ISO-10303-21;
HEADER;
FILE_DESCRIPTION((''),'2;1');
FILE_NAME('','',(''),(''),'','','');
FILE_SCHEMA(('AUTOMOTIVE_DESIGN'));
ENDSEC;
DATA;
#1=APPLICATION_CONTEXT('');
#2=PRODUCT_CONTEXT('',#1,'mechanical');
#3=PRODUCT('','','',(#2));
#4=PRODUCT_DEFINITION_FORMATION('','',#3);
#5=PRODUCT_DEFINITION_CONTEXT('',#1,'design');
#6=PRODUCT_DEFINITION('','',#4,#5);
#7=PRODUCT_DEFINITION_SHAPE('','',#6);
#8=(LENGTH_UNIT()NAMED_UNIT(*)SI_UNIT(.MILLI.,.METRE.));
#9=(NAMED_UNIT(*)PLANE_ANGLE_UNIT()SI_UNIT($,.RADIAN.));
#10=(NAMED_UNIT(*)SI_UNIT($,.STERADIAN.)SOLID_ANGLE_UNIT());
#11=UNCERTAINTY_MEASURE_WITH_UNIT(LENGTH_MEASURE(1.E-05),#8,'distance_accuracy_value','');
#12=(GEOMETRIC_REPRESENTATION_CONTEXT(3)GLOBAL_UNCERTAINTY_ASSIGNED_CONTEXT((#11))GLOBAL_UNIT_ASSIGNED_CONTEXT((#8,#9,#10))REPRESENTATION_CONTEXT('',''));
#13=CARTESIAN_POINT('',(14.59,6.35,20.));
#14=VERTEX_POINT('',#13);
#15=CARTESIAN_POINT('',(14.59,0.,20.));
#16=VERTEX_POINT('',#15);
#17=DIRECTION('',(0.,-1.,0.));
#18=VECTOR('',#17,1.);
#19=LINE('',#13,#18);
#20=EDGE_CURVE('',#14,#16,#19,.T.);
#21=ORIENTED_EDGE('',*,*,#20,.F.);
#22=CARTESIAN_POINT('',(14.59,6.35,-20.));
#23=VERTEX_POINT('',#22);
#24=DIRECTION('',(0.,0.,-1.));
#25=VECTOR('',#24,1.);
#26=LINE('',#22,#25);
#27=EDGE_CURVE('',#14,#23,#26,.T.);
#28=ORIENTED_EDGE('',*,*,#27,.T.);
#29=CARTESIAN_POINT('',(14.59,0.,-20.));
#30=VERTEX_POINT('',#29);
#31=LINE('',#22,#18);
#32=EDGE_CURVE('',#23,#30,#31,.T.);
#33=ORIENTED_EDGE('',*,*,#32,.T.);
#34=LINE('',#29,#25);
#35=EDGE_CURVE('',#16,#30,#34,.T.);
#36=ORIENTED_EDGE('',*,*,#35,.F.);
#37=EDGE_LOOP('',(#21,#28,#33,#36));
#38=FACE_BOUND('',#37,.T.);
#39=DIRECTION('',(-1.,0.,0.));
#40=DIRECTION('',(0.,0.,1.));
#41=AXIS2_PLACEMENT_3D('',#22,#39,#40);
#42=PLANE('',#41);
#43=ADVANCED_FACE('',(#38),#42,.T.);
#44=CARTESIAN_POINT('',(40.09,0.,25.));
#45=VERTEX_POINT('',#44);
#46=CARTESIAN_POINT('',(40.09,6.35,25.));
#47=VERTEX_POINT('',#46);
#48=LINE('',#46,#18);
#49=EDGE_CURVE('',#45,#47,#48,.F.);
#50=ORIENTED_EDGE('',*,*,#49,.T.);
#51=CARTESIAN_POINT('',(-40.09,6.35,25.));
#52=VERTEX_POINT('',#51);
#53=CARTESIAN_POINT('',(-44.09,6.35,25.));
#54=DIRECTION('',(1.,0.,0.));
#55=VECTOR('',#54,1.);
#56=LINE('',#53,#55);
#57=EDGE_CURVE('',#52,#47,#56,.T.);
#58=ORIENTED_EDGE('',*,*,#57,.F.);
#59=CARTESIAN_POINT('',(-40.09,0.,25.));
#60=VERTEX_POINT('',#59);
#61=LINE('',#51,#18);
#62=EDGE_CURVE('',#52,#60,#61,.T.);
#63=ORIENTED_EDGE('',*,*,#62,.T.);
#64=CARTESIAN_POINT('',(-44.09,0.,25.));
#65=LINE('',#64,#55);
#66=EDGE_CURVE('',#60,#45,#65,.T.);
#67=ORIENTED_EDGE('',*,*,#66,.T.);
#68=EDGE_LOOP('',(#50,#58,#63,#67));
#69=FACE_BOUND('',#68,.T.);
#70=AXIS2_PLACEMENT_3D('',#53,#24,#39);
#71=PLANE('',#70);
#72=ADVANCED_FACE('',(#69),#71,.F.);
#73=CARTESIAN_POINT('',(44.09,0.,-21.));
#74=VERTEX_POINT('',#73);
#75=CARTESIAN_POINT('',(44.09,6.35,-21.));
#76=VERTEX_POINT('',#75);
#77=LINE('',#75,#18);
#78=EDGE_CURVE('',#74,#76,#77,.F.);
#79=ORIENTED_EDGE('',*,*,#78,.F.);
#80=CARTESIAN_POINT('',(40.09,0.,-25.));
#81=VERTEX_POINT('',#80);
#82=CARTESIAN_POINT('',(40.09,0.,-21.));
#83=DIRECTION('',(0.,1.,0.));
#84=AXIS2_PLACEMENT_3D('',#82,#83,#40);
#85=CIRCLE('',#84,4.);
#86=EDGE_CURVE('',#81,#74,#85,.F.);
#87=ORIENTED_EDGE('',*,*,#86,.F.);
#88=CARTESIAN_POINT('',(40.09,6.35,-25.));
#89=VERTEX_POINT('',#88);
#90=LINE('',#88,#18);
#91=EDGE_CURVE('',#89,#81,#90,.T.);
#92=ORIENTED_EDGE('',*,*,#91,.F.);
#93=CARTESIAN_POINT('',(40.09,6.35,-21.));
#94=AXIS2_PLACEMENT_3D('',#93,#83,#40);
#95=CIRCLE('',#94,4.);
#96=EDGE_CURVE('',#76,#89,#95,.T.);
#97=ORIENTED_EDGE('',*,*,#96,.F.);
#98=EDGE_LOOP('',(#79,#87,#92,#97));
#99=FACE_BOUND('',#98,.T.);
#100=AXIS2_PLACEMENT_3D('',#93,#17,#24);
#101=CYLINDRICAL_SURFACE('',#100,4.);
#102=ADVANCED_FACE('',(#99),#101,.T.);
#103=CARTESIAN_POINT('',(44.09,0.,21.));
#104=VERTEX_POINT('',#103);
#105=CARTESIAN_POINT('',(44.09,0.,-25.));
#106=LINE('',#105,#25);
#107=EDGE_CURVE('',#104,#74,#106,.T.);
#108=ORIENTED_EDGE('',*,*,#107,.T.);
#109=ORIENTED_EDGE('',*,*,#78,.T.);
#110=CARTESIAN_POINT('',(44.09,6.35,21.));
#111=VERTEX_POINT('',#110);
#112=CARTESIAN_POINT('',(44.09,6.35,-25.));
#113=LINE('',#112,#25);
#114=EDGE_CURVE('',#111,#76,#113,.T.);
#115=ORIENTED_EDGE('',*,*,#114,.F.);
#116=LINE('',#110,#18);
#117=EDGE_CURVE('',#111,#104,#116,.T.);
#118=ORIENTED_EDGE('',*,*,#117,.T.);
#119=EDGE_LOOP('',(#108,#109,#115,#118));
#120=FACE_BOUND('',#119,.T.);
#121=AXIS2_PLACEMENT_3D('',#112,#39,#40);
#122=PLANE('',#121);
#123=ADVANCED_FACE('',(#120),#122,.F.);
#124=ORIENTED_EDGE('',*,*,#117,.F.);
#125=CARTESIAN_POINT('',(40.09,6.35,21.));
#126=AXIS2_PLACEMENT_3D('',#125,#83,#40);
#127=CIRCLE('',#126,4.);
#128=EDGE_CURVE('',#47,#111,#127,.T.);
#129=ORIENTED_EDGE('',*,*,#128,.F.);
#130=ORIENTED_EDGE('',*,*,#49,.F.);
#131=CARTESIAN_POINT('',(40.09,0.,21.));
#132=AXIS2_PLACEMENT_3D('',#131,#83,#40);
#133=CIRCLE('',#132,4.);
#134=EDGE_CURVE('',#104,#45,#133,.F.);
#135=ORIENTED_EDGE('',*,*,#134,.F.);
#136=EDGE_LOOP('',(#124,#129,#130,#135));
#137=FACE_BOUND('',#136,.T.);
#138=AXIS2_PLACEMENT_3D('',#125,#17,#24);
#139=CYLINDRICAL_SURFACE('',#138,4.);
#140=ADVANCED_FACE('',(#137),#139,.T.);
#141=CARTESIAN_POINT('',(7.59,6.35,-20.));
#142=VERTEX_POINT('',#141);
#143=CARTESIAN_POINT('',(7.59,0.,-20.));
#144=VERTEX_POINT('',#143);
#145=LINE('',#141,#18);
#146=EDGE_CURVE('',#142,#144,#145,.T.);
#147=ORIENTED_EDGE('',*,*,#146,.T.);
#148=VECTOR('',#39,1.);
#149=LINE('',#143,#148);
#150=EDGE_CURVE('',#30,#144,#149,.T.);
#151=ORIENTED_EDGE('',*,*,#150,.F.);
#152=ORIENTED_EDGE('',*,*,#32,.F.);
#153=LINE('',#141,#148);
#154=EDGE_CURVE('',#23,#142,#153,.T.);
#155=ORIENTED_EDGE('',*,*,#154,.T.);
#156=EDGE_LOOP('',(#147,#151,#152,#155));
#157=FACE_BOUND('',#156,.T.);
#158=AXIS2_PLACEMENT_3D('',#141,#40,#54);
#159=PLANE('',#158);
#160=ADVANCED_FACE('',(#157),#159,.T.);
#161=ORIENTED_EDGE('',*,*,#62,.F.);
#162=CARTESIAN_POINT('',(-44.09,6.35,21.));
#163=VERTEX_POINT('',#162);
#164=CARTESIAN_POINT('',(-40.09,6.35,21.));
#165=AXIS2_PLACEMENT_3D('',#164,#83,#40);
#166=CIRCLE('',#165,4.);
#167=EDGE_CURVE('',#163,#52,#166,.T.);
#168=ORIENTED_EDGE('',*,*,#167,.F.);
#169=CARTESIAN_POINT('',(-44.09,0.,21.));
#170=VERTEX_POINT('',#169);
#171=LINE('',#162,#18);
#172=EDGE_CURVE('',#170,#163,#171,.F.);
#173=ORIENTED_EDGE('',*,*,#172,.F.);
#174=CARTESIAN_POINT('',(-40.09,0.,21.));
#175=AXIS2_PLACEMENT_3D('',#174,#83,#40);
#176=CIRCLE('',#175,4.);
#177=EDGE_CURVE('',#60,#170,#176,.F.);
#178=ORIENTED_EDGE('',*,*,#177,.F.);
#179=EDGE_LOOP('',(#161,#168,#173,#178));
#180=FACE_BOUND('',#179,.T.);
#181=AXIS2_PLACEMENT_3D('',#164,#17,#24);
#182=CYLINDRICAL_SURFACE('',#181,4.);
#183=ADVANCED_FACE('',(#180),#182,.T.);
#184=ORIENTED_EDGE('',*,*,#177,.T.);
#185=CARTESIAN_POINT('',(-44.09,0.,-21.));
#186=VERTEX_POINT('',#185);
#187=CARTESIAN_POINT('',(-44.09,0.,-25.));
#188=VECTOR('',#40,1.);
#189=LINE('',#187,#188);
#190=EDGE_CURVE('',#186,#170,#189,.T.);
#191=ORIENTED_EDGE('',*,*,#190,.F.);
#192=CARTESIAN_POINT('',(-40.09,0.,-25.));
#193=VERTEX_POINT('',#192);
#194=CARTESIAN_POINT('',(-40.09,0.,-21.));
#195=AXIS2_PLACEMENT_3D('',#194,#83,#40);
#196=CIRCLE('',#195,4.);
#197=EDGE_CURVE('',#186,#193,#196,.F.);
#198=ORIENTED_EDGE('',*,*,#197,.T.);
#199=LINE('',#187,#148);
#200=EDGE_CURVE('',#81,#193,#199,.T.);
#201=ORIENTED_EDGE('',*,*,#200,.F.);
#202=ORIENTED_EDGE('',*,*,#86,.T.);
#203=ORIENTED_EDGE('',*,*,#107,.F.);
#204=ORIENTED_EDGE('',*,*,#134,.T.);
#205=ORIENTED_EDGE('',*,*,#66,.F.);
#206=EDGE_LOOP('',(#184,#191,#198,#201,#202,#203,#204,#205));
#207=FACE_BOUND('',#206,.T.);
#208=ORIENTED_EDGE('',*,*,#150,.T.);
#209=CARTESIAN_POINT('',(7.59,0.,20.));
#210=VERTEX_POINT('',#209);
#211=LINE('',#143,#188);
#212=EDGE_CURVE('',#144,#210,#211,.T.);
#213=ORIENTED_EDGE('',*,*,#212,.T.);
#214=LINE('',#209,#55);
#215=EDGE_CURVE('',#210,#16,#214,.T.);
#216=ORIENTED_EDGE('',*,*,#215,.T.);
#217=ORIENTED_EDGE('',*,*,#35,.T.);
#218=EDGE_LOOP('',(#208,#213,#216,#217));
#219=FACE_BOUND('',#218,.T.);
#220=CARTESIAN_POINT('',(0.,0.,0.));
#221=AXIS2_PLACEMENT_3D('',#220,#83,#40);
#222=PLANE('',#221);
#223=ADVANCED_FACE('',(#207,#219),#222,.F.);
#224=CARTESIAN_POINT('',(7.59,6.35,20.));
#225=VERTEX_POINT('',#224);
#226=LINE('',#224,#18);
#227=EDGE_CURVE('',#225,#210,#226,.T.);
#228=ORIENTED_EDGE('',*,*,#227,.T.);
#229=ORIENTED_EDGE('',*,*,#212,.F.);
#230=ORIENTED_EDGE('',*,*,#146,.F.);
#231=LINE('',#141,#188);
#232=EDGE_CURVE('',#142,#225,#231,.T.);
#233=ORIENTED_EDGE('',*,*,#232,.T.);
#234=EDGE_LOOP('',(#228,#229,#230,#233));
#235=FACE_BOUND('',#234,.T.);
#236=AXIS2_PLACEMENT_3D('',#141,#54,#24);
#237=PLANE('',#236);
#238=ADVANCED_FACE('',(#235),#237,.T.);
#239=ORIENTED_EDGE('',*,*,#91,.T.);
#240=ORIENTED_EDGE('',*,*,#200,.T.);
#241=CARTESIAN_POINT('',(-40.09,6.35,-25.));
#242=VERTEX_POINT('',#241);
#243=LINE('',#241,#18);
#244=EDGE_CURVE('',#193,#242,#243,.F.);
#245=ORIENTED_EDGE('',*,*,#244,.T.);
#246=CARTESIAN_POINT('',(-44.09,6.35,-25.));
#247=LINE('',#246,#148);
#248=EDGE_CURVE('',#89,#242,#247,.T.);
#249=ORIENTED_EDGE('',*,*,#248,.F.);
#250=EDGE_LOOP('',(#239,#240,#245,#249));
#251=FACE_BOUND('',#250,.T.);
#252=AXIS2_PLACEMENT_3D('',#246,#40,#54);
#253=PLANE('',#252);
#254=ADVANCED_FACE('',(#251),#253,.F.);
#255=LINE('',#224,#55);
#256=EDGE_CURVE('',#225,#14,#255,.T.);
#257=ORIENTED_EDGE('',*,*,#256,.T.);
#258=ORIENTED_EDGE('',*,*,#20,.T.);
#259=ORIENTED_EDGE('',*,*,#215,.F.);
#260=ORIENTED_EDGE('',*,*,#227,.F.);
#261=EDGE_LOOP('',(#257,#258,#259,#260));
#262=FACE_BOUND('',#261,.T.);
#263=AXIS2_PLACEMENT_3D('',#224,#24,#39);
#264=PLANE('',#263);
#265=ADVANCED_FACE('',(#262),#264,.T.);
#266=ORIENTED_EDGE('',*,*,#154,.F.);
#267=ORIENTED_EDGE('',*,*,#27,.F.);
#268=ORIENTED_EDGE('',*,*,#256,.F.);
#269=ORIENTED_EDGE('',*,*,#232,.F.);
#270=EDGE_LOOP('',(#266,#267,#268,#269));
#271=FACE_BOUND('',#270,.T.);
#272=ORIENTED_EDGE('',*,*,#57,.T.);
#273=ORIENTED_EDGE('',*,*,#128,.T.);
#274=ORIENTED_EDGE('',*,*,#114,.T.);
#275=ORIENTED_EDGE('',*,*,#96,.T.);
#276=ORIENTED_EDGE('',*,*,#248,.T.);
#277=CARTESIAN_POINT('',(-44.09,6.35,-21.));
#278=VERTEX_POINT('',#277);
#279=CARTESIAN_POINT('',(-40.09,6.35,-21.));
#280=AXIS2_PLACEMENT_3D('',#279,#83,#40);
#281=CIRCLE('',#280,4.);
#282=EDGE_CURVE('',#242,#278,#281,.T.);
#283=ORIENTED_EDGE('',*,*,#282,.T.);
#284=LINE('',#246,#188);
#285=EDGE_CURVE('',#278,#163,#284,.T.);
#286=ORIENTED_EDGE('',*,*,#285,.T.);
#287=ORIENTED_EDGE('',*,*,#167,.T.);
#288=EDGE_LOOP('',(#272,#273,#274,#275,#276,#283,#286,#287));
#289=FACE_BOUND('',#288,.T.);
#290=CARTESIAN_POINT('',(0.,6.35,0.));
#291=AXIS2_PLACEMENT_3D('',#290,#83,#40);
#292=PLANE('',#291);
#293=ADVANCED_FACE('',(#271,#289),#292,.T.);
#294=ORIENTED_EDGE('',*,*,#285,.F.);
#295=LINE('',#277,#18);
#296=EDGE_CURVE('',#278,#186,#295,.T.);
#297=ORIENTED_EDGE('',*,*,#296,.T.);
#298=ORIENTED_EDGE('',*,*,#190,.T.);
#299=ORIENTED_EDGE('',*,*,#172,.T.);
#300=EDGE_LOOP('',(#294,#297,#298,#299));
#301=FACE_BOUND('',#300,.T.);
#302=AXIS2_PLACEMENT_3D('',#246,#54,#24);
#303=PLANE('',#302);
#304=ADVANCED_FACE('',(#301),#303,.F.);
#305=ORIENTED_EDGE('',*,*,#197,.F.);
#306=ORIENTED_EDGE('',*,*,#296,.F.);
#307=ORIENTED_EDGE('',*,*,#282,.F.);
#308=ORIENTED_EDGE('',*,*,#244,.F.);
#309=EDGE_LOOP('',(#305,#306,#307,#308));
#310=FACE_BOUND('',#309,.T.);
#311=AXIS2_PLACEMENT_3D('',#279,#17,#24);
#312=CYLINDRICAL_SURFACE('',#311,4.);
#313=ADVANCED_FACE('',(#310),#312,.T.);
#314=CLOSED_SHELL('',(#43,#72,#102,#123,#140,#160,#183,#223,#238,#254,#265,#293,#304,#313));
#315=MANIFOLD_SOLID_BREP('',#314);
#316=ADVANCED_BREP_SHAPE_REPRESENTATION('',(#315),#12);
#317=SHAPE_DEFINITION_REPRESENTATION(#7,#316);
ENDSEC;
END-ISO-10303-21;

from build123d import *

# Parameters (mm, degrees)
SKETCH1_W           = 88.18
SKETCH1_H           = 50
SKETCH1_W_2         = 7
SKETCH1_H_2         = 40
BOSS_EXTRUDE1_DEPTH = 6.35
FILLET1_R           = 4


with BuildPart() as part:
    # Sketch1 → Boss-Extrude1 (new body)
    with BuildSketch(Plane(origin=(0, 0, 0), x_dir=(1, 0, 0), z_dir=(0, 1, 0))):
        Rectangle(SKETCH1_W, SKETCH1_H)
        with Locations((11.09, 0)):
            Rectangle(SKETCH1_W_2, SKETCH1_H_2, mode=Mode.SUBTRACT)
    extrude(amount=BOSS_EXTRUDE1_DEPTH)

    # Fillet1
    fillet1_edges = [part.edges().sort_by_distance(p)[0] for p in [
        (44.09, 3.175, 25),
        (-44.09, 3.175, 25),
        (-44.09, 3.175, -25),
        (44.09, 3.175, -25),
    ]]
    fillet(fillet1_edges, radius=FILLET1_R)


solid = part.part
